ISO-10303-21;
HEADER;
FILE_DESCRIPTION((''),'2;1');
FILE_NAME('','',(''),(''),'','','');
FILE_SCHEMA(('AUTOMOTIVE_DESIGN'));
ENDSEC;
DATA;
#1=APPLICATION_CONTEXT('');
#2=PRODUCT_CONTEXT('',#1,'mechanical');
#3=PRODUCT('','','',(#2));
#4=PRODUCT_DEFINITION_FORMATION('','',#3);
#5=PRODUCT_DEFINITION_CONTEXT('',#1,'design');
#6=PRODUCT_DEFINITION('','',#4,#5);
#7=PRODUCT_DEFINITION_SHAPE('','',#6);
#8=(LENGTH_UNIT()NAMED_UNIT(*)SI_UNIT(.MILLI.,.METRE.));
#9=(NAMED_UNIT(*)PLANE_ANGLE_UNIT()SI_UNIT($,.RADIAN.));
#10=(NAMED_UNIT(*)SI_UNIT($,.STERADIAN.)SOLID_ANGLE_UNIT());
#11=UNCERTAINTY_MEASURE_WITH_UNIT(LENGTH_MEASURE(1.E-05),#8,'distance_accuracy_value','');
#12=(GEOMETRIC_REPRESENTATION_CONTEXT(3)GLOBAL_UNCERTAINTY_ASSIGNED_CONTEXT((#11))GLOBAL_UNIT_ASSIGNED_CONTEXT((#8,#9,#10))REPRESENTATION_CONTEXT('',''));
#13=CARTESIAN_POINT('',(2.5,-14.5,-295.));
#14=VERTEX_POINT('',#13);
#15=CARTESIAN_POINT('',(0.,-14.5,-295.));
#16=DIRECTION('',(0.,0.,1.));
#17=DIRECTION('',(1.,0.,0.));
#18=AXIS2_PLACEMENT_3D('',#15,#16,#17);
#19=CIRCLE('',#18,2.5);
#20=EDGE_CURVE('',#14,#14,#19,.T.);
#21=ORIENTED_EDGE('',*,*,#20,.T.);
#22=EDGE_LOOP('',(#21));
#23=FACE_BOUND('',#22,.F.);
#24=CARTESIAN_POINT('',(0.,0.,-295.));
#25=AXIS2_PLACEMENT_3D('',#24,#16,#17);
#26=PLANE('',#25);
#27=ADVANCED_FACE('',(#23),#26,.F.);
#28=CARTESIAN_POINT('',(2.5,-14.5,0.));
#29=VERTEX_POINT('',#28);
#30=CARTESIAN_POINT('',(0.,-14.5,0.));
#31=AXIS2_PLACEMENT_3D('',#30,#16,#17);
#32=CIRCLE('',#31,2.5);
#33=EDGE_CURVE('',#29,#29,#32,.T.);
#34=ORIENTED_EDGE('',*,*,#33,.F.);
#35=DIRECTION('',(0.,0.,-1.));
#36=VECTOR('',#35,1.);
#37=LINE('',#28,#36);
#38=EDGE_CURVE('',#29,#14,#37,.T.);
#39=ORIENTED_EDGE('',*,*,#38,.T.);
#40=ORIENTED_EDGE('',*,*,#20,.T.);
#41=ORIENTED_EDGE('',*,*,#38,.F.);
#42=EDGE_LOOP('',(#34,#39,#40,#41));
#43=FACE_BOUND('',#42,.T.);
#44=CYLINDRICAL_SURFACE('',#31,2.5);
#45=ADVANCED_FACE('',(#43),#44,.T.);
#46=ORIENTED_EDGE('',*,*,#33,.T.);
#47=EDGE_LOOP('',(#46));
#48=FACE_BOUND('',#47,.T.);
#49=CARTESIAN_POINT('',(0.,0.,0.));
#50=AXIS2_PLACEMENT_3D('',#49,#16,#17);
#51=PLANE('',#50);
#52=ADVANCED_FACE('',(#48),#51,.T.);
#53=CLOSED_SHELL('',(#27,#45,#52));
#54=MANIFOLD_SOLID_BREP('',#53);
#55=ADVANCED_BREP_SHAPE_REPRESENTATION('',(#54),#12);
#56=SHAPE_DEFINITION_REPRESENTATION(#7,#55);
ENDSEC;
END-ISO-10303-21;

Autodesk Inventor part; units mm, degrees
ref_plane "YZ Plane" through (0, 0, 0) normal (1, 0, 0) x (0, 1, 0)
ref_plane "XZ Plane" through (0, 0, 0) normal (0, 1, 0) x (-1, 0, 0)
ref_plane "XY Plane" through (0, 0, 0) normal (0, 0, 1) x (1, 0, 0)
sketch "Эскиз1" plane through (0, 0, 0) normal (0, 0, 1) x (1, 0, 0)
  circle A0 centre (0, -14.5) radius 2.375 construction
  circle A1 centre (0, -14.5) radius 2.5
  point P0 (0, 0)
  dimension "d2" = 5
extrude "Выдавливание1" add sketch "Эскиз1" against normal blind 295
properties part number "ось колес"
